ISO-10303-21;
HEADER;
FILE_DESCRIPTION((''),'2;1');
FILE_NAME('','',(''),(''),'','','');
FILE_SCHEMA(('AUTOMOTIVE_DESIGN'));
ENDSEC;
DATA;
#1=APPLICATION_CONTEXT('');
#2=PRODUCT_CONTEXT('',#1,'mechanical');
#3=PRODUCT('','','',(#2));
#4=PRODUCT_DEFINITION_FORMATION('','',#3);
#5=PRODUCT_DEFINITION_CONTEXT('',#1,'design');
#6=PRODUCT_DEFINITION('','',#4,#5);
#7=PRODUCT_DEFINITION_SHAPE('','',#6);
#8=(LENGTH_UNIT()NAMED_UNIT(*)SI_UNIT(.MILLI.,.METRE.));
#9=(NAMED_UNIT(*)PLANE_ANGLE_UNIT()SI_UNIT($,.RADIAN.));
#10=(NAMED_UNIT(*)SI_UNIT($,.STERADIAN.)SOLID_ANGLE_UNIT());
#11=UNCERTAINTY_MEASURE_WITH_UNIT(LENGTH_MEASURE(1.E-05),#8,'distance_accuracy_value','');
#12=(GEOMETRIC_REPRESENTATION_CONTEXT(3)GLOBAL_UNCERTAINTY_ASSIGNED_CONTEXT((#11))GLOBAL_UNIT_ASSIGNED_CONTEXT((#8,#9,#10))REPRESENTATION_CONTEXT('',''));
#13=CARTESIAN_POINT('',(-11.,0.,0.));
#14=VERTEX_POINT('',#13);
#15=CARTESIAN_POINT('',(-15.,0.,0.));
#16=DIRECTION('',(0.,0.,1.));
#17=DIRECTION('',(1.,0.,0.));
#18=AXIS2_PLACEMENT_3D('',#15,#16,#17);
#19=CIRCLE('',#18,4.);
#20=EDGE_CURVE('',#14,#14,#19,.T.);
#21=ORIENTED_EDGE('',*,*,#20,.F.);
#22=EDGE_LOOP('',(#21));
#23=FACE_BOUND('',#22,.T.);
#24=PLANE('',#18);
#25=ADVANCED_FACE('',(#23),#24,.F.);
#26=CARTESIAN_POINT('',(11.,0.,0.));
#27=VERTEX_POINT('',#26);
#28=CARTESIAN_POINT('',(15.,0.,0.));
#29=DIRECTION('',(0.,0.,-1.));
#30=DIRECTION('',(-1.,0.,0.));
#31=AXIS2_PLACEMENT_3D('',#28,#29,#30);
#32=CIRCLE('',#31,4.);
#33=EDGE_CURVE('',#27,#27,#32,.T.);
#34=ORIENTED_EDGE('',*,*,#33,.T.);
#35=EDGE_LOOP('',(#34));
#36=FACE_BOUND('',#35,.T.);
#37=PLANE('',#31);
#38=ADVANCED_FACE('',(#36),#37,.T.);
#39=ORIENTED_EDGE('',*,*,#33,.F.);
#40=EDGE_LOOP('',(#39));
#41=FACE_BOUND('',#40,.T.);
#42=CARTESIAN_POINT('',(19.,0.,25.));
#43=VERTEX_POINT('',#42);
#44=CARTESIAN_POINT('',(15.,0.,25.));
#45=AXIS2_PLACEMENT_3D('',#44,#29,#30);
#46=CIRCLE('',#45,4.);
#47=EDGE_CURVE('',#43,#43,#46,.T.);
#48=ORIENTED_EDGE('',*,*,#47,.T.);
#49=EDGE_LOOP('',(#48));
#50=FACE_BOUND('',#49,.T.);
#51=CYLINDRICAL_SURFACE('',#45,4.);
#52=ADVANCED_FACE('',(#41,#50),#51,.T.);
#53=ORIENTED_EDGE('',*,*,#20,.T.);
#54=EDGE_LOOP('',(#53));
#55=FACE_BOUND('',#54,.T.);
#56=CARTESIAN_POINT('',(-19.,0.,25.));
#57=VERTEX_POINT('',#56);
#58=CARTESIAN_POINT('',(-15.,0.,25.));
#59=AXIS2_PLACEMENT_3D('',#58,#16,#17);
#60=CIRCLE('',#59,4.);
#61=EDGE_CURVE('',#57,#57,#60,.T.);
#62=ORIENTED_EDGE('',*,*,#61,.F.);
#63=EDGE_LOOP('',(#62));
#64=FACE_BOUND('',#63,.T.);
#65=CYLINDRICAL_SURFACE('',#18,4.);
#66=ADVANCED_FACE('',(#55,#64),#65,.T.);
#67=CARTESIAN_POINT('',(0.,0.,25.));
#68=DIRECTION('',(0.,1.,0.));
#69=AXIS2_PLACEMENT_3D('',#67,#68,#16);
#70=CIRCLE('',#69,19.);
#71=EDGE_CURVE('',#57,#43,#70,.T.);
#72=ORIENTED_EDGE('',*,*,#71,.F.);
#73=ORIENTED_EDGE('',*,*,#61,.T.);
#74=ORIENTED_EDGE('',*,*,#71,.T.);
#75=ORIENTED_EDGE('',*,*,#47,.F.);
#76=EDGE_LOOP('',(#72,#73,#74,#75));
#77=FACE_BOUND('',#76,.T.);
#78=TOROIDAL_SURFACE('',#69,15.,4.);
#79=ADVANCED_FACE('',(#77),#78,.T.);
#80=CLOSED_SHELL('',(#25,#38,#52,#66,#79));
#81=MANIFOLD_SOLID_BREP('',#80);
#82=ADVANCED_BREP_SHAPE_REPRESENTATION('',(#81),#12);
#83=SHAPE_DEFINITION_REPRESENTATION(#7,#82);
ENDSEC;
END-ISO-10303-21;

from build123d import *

# Parameters (mm, degrees)
SKETCH1_R = 4


with BuildPart() as part:
    # Sweep1: sweep along a path in Sketch2
    with BuildLine(Plane(origin=(0, 0, 0), x_dir=(1, 0, 0), z_dir=(0, 1, 0))) as sweep1_path:
        Line((-15, 0), (-15, -25))
        ThreePointArc((-15, -25), (0, -40), (15, -25))
        Line((15, -25), (15, 0))
    # Sketch1 → Sweep1 (sweep)
    with BuildSketch(Plane.XY):
        with Locations((-15, 0)):
            Circle(SKETCH1_R)
    sweep(path=sweep1_path.line)


solid = part.part
